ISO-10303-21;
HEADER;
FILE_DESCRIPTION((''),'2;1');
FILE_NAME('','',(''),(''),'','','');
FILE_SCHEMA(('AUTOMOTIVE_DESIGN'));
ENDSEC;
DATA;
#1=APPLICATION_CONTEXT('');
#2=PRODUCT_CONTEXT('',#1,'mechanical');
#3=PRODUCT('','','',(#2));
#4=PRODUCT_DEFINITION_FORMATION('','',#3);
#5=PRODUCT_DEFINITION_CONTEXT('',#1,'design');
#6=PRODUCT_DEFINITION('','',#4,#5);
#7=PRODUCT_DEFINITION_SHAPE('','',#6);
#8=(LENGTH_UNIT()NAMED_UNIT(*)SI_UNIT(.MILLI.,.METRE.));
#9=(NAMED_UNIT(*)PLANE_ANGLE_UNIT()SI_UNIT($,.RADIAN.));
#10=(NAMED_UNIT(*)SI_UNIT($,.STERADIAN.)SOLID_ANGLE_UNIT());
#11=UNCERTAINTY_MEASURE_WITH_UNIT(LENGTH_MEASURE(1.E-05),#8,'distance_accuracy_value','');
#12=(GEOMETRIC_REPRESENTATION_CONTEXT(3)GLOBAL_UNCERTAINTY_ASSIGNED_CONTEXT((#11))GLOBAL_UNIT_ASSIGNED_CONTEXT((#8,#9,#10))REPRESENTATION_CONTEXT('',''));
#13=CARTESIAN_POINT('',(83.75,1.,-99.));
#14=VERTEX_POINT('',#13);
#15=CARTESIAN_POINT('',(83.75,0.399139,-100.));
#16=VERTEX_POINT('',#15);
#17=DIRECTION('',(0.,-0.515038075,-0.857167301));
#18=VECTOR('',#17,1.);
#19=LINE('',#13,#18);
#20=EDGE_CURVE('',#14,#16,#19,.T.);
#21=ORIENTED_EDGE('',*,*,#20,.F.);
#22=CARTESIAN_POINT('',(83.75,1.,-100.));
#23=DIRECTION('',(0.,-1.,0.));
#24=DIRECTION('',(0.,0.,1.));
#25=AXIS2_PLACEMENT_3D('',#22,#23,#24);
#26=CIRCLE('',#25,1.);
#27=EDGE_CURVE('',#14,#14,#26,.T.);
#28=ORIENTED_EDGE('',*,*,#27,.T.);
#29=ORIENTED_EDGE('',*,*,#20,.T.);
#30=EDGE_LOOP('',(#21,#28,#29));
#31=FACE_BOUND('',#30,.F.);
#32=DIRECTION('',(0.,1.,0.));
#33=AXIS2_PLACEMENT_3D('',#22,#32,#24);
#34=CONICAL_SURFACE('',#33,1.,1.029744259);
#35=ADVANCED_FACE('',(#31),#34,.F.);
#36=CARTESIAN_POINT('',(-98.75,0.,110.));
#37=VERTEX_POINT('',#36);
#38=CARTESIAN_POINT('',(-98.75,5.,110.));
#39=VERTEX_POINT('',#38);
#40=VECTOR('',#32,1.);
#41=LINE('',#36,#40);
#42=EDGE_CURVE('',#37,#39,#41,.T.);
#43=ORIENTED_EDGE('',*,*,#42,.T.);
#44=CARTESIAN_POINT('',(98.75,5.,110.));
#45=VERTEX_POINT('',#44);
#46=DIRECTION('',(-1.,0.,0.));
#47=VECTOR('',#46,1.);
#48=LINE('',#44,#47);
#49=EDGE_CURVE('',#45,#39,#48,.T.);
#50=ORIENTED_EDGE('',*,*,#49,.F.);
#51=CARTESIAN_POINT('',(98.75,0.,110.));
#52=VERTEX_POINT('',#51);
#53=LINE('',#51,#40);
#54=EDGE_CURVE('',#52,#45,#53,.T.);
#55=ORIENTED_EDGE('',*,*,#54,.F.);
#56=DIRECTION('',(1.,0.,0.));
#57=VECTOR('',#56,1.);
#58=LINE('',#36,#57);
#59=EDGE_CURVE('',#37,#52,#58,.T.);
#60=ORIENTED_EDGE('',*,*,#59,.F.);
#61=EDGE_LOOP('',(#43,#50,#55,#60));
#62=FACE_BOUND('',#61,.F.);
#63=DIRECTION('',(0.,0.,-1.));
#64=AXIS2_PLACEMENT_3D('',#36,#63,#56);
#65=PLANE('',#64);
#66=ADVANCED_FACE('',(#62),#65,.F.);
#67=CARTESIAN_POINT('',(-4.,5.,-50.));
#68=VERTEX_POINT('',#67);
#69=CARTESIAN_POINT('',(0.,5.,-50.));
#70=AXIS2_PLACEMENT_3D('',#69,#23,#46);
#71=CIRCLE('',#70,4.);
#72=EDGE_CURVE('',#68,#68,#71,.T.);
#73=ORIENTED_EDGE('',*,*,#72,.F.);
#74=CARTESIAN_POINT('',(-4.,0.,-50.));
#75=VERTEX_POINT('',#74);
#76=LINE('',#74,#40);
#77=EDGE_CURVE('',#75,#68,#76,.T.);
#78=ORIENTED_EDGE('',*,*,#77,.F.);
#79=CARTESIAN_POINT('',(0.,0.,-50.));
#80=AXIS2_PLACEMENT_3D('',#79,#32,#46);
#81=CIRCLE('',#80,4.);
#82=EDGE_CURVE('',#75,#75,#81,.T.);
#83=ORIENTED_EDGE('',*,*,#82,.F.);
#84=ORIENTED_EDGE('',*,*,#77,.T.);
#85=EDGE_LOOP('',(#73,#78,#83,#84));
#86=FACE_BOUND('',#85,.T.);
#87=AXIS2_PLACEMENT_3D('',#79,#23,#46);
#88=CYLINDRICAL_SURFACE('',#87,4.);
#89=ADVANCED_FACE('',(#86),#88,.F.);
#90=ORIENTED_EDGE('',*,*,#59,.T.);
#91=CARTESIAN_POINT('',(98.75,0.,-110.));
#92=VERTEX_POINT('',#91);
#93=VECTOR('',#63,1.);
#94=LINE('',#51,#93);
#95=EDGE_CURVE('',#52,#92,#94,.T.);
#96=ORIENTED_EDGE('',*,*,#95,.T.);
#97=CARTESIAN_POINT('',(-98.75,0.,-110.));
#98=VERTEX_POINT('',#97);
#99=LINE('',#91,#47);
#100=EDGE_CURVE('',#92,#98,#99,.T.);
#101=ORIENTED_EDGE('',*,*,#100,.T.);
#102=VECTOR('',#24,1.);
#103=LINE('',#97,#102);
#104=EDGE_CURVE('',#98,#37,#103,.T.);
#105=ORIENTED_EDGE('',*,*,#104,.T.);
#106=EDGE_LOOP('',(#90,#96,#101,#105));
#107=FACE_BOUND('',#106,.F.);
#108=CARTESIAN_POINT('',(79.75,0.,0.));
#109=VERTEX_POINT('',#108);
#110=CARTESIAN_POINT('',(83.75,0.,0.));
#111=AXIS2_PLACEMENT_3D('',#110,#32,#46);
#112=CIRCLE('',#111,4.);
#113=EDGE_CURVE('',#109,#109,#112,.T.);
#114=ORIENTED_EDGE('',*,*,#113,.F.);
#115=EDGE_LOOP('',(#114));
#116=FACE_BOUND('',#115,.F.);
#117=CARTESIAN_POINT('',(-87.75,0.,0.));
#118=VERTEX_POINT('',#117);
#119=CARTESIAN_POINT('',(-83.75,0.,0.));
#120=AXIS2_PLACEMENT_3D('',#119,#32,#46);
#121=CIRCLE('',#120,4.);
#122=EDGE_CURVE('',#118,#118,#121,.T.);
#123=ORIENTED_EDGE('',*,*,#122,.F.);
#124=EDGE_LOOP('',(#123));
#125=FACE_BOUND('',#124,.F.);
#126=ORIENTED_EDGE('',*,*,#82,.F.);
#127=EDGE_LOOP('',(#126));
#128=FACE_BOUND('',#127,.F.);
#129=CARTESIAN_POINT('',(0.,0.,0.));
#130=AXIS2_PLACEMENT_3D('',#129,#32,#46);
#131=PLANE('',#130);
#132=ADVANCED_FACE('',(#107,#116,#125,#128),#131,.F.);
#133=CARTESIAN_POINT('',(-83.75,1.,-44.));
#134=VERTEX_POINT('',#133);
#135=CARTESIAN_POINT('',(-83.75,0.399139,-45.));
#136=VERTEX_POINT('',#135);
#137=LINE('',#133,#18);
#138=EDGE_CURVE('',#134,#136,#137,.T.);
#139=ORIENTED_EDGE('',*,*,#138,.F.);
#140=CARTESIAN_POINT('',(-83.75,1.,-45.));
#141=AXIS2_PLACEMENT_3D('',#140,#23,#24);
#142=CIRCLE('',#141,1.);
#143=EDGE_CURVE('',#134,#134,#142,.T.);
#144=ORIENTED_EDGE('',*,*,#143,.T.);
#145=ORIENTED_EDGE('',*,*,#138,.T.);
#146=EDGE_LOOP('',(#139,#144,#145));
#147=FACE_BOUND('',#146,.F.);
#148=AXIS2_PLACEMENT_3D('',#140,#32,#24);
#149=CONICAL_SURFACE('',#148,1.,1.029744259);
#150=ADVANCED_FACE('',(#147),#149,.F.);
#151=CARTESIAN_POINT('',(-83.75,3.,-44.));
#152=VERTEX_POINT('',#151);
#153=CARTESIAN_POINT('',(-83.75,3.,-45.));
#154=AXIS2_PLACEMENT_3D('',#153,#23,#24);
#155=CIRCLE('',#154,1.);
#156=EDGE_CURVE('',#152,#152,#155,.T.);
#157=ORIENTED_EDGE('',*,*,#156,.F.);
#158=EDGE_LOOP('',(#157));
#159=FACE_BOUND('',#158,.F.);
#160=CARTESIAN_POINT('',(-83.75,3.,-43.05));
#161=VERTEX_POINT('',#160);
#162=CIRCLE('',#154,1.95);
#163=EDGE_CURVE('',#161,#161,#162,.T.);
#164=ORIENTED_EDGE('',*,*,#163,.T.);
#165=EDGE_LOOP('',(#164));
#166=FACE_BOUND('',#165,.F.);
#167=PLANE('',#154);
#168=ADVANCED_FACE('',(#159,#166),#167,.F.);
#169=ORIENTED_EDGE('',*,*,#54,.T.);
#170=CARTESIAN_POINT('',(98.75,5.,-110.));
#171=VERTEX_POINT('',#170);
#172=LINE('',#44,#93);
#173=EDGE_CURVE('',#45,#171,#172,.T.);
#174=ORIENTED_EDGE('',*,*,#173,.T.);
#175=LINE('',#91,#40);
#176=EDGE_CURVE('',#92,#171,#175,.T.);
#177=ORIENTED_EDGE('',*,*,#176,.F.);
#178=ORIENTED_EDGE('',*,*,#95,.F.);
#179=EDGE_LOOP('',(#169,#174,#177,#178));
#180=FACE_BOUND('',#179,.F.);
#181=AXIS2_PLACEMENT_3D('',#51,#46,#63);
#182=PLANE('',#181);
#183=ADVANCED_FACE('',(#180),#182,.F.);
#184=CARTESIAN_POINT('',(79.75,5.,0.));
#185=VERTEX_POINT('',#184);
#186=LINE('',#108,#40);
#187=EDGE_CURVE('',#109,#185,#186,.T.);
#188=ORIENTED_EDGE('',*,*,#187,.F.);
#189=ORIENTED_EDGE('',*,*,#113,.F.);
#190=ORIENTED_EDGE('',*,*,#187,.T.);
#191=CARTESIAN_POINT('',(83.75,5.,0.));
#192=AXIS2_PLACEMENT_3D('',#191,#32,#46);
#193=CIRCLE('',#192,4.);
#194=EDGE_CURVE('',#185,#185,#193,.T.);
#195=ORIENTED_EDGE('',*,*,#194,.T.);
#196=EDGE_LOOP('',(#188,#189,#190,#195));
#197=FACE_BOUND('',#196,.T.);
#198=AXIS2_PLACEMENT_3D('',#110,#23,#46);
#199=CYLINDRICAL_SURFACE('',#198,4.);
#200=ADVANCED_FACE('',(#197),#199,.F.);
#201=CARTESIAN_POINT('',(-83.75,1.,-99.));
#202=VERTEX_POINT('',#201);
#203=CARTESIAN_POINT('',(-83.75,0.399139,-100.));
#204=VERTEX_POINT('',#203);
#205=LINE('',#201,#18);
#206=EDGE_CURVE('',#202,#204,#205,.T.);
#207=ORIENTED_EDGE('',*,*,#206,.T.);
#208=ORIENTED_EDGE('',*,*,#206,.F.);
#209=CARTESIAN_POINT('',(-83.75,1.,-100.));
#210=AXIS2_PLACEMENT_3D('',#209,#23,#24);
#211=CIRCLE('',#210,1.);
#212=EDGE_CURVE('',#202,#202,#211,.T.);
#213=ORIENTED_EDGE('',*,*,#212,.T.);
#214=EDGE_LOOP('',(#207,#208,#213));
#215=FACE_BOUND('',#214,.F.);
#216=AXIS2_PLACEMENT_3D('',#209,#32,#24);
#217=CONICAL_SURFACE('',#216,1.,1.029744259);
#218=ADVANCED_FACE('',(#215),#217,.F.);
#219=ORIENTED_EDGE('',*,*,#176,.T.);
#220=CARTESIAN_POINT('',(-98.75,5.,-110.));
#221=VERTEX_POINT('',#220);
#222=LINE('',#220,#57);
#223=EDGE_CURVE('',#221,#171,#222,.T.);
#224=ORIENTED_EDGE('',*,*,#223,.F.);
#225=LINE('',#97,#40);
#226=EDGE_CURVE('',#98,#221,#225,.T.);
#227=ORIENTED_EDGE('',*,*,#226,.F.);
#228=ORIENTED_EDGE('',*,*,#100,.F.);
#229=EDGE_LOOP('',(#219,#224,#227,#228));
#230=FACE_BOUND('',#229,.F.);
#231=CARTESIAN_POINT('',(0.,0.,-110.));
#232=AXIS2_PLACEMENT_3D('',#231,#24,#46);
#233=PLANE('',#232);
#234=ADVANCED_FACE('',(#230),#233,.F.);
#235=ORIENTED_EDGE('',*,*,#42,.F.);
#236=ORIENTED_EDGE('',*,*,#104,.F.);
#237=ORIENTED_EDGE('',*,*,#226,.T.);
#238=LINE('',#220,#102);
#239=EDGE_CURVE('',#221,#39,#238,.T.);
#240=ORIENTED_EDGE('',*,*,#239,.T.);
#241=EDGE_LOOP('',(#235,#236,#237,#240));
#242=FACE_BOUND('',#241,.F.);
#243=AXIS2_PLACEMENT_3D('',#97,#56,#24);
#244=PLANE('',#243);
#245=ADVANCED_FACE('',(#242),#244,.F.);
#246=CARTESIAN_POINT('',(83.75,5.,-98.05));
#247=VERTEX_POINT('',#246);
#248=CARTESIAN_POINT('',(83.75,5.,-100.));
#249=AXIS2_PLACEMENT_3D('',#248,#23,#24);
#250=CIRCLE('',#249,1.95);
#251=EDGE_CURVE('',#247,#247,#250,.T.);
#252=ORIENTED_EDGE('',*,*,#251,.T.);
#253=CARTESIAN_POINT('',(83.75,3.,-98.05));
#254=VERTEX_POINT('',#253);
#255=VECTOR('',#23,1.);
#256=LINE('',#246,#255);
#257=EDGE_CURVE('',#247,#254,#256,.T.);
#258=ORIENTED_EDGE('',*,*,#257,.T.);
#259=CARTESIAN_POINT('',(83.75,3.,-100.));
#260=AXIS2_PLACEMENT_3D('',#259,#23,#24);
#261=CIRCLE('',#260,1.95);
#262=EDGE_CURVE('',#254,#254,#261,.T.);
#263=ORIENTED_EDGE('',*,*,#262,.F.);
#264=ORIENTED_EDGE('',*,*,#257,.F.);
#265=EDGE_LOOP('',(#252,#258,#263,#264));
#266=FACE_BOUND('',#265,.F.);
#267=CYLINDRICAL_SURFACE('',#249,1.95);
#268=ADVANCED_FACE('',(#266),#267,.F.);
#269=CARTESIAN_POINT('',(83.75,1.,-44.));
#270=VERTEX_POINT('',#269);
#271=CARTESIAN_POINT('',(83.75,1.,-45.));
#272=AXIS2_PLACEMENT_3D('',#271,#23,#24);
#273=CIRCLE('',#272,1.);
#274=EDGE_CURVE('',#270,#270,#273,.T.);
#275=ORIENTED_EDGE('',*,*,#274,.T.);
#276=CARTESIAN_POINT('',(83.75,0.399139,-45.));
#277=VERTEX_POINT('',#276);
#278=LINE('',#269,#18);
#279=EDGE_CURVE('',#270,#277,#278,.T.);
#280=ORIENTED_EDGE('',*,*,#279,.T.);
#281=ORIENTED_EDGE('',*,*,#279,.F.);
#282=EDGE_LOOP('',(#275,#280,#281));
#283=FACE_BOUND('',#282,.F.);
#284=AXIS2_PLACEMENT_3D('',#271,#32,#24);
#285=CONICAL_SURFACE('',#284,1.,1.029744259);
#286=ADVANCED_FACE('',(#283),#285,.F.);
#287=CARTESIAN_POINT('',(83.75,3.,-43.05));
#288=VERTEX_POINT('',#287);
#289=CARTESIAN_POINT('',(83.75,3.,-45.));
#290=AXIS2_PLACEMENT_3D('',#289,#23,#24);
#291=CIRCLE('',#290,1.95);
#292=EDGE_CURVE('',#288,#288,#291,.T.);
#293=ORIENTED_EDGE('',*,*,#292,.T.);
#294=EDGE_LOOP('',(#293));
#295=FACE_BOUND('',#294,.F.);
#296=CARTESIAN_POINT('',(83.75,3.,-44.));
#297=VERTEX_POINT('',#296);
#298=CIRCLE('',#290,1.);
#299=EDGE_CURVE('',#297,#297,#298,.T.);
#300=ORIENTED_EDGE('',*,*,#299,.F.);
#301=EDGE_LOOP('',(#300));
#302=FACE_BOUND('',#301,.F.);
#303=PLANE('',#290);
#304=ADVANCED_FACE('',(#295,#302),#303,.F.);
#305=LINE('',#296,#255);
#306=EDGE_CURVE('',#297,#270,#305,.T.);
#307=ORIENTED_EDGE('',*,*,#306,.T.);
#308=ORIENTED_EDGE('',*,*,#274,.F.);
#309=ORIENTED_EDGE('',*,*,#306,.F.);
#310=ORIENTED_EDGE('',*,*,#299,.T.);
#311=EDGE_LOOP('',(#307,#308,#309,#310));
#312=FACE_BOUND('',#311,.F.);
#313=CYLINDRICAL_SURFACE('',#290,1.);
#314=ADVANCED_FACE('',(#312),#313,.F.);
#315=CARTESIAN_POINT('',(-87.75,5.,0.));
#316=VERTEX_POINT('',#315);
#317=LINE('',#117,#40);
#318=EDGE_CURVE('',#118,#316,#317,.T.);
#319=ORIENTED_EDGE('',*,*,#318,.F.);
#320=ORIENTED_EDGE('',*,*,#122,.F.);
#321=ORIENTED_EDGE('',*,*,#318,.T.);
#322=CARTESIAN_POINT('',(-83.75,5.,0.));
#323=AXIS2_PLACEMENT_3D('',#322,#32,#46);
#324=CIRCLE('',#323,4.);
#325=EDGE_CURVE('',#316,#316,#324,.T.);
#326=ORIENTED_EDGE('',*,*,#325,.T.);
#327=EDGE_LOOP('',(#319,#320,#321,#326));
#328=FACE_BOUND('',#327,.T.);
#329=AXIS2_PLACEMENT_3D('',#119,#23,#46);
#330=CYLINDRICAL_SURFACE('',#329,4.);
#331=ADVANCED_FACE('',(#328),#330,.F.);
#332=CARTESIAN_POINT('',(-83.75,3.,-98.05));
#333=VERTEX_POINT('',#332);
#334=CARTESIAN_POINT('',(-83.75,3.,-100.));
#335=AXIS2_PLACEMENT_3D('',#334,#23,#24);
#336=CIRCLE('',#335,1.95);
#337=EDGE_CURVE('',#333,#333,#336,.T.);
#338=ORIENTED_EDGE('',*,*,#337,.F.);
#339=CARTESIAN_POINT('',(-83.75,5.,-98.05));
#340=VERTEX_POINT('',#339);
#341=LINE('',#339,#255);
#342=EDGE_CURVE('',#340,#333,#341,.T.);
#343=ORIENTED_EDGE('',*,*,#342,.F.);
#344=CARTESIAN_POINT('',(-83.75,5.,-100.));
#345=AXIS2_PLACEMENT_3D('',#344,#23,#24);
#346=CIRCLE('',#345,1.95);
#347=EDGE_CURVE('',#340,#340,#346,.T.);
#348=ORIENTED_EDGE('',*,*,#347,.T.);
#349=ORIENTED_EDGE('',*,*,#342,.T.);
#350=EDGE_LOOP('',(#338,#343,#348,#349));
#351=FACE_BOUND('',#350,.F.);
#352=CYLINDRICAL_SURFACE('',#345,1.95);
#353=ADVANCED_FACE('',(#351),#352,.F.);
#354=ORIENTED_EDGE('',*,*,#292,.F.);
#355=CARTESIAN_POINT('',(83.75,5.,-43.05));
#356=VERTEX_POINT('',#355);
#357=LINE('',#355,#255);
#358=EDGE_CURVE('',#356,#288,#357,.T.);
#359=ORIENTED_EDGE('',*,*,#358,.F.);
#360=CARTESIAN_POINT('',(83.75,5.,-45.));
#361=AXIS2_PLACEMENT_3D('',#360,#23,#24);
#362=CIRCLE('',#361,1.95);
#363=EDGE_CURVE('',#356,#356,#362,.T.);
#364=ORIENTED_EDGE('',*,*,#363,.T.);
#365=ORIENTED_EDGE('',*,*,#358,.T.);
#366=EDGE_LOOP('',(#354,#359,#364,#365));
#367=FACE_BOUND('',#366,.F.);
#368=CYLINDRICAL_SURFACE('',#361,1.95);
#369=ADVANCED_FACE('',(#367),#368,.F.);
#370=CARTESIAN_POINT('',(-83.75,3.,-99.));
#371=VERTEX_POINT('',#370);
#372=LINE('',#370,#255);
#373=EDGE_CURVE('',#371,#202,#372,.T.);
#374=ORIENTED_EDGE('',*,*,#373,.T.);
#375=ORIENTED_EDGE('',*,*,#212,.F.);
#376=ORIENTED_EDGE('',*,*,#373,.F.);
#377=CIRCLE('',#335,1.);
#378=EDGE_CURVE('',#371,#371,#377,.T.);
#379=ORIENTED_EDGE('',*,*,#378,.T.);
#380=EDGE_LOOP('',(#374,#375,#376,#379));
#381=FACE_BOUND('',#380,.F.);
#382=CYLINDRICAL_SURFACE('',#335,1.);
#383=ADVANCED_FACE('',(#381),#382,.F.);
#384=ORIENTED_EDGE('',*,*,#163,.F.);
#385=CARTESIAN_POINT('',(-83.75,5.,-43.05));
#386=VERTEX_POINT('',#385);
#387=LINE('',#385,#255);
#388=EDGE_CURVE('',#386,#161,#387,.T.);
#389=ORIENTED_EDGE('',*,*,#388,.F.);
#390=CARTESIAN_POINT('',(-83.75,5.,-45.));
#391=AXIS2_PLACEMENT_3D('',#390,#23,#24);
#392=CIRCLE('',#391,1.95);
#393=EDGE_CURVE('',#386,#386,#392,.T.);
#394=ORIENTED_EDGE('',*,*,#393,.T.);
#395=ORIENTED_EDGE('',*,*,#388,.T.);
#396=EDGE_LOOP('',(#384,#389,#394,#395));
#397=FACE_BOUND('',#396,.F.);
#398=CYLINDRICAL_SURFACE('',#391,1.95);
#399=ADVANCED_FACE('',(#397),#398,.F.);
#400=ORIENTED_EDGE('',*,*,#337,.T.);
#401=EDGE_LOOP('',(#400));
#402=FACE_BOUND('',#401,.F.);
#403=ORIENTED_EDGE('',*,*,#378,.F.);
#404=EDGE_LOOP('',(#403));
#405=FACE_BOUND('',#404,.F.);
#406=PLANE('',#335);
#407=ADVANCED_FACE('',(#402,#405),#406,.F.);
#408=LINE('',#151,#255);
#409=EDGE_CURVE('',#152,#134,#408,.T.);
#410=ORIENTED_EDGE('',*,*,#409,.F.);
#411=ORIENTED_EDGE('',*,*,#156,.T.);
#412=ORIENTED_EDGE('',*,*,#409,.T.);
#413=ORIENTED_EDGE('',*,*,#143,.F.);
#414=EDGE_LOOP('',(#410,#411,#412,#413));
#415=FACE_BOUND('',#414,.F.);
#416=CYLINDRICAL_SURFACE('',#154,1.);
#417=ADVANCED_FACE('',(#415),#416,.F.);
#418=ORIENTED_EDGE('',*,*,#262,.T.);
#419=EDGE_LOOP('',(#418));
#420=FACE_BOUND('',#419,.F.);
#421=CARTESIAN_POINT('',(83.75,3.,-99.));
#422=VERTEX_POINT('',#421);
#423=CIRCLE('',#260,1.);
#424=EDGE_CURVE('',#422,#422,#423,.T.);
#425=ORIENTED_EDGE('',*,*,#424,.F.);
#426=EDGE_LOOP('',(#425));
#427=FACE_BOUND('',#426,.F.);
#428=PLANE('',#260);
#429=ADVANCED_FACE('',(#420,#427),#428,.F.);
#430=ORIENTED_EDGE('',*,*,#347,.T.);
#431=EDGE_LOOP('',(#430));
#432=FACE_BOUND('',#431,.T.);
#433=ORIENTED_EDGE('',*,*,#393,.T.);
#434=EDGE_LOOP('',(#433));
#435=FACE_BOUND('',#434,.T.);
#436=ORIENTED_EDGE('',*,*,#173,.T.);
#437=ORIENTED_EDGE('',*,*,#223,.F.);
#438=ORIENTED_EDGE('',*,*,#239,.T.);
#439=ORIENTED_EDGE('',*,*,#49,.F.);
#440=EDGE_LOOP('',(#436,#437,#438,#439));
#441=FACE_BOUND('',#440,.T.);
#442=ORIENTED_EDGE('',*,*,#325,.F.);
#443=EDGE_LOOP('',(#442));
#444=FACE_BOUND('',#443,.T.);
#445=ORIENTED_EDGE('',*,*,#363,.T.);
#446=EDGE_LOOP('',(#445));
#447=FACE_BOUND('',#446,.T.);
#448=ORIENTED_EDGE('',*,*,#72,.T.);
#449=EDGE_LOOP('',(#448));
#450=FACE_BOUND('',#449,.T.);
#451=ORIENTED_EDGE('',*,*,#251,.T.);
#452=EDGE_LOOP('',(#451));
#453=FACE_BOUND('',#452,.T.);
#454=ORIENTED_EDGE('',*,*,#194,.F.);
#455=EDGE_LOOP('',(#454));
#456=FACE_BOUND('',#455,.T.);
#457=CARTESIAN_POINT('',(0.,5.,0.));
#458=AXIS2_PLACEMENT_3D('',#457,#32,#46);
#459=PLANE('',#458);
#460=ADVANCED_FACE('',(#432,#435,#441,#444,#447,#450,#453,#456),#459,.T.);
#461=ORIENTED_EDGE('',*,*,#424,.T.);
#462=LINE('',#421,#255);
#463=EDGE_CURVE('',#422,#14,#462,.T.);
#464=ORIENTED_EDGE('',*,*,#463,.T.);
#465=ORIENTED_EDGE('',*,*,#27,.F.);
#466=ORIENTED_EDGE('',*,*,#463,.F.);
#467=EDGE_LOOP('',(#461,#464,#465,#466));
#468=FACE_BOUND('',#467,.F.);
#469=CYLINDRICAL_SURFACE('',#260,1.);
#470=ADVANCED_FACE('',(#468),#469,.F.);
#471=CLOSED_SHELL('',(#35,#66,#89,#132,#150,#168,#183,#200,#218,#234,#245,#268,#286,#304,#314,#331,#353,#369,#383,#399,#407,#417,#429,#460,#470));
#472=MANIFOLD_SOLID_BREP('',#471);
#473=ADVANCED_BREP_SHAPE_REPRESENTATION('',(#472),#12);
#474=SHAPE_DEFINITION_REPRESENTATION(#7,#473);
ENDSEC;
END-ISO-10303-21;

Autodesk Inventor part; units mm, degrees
ref_plane "YZ Plane" through (0, 0, 0) normal (1, 0, 0) x (0, 1, 0)
ref_plane "XZ Plane" through (0, 0, 0) normal (0, 1, 0) x (-1, 0, 0)
ref_plane "XY Plane" through (0, 0, 0) normal (0, 0, 1) x (1, 0, 0)
sketch "Sketch1" plane through (0, 0, 0) normal (0, 1, 0) x (-1, 0, 0)
  line L0 (98.75, 110) -> (-98.75, 110)
  line L1 (-98.75, 110) -> (-98.75, -110)
  line L2 (-98.75, -110) -> (98.75, -110)
  line L3 (98.75, -110) -> (98.75, 110)
  line L4 (98.75, 110) -> (-98.75, -110) construction
  line L5 (-98.75, 110) -> (98.75, -110) construction
  circle A0 centre (-83.75, 0) radius 4
  line L6 (0, 110) -> (0, -110)
  circle A1 centre (83.75, 0) radius 4
  circle A2 centre (0, -50) radius 4
  point P0 (0, 0)
  point P1 (0, 0)
  dimension "d0" = 197.5
  dimension "d1" = 220
  dimension "d2" = 8
  dimension "d3" = 8
  dimension "d4" = 15
  dimension "d5" = 8
  dimension "d6" = 50
  dimension "d7" = 15
extrude "Extrusion1" add sketch "Sketch1" along normal blind 5 contours L3 L2 L6 A2 L0 | L6 A2 L2 L1 L0
sketch "Sketch2" plane through (0, 5, 0) normal (0, 1, 0) x (1, 0, 0)
  line L0 (-98.75, 110) -> (-98.75, -110) projected
  line L1 (98.75, -110) -> (98.75, 110) projected
  line L2 (98.75, 110) -> (-98.75, 110) projected
  point P0 (0, 0)
  point P1 (83.75, 45)
  point P2 (83.75, 100)
  point P3 (-83.75, 45)
  point P4 (-83.75, 100)
  dimension "d10" = 15
  dimension "d11" = 15
  dimension "d12" = 15
  dimension "d13" = 15
  dimension "d14" = 10
  dimension "d15" = 10
  dimension "d23" = 65
  dimension "d24" = 65
hole "Hole1" at (83.75, 5, -100) at (-83.75, 5, -100) at (-83.75, 5, -45) at (83.75, 5, -45) direction (0, -1, 0) diameter 2 depth 4 tip angle 118 counterbore diameter 3.9 counterbore depth 2
properties part number "panel1"
